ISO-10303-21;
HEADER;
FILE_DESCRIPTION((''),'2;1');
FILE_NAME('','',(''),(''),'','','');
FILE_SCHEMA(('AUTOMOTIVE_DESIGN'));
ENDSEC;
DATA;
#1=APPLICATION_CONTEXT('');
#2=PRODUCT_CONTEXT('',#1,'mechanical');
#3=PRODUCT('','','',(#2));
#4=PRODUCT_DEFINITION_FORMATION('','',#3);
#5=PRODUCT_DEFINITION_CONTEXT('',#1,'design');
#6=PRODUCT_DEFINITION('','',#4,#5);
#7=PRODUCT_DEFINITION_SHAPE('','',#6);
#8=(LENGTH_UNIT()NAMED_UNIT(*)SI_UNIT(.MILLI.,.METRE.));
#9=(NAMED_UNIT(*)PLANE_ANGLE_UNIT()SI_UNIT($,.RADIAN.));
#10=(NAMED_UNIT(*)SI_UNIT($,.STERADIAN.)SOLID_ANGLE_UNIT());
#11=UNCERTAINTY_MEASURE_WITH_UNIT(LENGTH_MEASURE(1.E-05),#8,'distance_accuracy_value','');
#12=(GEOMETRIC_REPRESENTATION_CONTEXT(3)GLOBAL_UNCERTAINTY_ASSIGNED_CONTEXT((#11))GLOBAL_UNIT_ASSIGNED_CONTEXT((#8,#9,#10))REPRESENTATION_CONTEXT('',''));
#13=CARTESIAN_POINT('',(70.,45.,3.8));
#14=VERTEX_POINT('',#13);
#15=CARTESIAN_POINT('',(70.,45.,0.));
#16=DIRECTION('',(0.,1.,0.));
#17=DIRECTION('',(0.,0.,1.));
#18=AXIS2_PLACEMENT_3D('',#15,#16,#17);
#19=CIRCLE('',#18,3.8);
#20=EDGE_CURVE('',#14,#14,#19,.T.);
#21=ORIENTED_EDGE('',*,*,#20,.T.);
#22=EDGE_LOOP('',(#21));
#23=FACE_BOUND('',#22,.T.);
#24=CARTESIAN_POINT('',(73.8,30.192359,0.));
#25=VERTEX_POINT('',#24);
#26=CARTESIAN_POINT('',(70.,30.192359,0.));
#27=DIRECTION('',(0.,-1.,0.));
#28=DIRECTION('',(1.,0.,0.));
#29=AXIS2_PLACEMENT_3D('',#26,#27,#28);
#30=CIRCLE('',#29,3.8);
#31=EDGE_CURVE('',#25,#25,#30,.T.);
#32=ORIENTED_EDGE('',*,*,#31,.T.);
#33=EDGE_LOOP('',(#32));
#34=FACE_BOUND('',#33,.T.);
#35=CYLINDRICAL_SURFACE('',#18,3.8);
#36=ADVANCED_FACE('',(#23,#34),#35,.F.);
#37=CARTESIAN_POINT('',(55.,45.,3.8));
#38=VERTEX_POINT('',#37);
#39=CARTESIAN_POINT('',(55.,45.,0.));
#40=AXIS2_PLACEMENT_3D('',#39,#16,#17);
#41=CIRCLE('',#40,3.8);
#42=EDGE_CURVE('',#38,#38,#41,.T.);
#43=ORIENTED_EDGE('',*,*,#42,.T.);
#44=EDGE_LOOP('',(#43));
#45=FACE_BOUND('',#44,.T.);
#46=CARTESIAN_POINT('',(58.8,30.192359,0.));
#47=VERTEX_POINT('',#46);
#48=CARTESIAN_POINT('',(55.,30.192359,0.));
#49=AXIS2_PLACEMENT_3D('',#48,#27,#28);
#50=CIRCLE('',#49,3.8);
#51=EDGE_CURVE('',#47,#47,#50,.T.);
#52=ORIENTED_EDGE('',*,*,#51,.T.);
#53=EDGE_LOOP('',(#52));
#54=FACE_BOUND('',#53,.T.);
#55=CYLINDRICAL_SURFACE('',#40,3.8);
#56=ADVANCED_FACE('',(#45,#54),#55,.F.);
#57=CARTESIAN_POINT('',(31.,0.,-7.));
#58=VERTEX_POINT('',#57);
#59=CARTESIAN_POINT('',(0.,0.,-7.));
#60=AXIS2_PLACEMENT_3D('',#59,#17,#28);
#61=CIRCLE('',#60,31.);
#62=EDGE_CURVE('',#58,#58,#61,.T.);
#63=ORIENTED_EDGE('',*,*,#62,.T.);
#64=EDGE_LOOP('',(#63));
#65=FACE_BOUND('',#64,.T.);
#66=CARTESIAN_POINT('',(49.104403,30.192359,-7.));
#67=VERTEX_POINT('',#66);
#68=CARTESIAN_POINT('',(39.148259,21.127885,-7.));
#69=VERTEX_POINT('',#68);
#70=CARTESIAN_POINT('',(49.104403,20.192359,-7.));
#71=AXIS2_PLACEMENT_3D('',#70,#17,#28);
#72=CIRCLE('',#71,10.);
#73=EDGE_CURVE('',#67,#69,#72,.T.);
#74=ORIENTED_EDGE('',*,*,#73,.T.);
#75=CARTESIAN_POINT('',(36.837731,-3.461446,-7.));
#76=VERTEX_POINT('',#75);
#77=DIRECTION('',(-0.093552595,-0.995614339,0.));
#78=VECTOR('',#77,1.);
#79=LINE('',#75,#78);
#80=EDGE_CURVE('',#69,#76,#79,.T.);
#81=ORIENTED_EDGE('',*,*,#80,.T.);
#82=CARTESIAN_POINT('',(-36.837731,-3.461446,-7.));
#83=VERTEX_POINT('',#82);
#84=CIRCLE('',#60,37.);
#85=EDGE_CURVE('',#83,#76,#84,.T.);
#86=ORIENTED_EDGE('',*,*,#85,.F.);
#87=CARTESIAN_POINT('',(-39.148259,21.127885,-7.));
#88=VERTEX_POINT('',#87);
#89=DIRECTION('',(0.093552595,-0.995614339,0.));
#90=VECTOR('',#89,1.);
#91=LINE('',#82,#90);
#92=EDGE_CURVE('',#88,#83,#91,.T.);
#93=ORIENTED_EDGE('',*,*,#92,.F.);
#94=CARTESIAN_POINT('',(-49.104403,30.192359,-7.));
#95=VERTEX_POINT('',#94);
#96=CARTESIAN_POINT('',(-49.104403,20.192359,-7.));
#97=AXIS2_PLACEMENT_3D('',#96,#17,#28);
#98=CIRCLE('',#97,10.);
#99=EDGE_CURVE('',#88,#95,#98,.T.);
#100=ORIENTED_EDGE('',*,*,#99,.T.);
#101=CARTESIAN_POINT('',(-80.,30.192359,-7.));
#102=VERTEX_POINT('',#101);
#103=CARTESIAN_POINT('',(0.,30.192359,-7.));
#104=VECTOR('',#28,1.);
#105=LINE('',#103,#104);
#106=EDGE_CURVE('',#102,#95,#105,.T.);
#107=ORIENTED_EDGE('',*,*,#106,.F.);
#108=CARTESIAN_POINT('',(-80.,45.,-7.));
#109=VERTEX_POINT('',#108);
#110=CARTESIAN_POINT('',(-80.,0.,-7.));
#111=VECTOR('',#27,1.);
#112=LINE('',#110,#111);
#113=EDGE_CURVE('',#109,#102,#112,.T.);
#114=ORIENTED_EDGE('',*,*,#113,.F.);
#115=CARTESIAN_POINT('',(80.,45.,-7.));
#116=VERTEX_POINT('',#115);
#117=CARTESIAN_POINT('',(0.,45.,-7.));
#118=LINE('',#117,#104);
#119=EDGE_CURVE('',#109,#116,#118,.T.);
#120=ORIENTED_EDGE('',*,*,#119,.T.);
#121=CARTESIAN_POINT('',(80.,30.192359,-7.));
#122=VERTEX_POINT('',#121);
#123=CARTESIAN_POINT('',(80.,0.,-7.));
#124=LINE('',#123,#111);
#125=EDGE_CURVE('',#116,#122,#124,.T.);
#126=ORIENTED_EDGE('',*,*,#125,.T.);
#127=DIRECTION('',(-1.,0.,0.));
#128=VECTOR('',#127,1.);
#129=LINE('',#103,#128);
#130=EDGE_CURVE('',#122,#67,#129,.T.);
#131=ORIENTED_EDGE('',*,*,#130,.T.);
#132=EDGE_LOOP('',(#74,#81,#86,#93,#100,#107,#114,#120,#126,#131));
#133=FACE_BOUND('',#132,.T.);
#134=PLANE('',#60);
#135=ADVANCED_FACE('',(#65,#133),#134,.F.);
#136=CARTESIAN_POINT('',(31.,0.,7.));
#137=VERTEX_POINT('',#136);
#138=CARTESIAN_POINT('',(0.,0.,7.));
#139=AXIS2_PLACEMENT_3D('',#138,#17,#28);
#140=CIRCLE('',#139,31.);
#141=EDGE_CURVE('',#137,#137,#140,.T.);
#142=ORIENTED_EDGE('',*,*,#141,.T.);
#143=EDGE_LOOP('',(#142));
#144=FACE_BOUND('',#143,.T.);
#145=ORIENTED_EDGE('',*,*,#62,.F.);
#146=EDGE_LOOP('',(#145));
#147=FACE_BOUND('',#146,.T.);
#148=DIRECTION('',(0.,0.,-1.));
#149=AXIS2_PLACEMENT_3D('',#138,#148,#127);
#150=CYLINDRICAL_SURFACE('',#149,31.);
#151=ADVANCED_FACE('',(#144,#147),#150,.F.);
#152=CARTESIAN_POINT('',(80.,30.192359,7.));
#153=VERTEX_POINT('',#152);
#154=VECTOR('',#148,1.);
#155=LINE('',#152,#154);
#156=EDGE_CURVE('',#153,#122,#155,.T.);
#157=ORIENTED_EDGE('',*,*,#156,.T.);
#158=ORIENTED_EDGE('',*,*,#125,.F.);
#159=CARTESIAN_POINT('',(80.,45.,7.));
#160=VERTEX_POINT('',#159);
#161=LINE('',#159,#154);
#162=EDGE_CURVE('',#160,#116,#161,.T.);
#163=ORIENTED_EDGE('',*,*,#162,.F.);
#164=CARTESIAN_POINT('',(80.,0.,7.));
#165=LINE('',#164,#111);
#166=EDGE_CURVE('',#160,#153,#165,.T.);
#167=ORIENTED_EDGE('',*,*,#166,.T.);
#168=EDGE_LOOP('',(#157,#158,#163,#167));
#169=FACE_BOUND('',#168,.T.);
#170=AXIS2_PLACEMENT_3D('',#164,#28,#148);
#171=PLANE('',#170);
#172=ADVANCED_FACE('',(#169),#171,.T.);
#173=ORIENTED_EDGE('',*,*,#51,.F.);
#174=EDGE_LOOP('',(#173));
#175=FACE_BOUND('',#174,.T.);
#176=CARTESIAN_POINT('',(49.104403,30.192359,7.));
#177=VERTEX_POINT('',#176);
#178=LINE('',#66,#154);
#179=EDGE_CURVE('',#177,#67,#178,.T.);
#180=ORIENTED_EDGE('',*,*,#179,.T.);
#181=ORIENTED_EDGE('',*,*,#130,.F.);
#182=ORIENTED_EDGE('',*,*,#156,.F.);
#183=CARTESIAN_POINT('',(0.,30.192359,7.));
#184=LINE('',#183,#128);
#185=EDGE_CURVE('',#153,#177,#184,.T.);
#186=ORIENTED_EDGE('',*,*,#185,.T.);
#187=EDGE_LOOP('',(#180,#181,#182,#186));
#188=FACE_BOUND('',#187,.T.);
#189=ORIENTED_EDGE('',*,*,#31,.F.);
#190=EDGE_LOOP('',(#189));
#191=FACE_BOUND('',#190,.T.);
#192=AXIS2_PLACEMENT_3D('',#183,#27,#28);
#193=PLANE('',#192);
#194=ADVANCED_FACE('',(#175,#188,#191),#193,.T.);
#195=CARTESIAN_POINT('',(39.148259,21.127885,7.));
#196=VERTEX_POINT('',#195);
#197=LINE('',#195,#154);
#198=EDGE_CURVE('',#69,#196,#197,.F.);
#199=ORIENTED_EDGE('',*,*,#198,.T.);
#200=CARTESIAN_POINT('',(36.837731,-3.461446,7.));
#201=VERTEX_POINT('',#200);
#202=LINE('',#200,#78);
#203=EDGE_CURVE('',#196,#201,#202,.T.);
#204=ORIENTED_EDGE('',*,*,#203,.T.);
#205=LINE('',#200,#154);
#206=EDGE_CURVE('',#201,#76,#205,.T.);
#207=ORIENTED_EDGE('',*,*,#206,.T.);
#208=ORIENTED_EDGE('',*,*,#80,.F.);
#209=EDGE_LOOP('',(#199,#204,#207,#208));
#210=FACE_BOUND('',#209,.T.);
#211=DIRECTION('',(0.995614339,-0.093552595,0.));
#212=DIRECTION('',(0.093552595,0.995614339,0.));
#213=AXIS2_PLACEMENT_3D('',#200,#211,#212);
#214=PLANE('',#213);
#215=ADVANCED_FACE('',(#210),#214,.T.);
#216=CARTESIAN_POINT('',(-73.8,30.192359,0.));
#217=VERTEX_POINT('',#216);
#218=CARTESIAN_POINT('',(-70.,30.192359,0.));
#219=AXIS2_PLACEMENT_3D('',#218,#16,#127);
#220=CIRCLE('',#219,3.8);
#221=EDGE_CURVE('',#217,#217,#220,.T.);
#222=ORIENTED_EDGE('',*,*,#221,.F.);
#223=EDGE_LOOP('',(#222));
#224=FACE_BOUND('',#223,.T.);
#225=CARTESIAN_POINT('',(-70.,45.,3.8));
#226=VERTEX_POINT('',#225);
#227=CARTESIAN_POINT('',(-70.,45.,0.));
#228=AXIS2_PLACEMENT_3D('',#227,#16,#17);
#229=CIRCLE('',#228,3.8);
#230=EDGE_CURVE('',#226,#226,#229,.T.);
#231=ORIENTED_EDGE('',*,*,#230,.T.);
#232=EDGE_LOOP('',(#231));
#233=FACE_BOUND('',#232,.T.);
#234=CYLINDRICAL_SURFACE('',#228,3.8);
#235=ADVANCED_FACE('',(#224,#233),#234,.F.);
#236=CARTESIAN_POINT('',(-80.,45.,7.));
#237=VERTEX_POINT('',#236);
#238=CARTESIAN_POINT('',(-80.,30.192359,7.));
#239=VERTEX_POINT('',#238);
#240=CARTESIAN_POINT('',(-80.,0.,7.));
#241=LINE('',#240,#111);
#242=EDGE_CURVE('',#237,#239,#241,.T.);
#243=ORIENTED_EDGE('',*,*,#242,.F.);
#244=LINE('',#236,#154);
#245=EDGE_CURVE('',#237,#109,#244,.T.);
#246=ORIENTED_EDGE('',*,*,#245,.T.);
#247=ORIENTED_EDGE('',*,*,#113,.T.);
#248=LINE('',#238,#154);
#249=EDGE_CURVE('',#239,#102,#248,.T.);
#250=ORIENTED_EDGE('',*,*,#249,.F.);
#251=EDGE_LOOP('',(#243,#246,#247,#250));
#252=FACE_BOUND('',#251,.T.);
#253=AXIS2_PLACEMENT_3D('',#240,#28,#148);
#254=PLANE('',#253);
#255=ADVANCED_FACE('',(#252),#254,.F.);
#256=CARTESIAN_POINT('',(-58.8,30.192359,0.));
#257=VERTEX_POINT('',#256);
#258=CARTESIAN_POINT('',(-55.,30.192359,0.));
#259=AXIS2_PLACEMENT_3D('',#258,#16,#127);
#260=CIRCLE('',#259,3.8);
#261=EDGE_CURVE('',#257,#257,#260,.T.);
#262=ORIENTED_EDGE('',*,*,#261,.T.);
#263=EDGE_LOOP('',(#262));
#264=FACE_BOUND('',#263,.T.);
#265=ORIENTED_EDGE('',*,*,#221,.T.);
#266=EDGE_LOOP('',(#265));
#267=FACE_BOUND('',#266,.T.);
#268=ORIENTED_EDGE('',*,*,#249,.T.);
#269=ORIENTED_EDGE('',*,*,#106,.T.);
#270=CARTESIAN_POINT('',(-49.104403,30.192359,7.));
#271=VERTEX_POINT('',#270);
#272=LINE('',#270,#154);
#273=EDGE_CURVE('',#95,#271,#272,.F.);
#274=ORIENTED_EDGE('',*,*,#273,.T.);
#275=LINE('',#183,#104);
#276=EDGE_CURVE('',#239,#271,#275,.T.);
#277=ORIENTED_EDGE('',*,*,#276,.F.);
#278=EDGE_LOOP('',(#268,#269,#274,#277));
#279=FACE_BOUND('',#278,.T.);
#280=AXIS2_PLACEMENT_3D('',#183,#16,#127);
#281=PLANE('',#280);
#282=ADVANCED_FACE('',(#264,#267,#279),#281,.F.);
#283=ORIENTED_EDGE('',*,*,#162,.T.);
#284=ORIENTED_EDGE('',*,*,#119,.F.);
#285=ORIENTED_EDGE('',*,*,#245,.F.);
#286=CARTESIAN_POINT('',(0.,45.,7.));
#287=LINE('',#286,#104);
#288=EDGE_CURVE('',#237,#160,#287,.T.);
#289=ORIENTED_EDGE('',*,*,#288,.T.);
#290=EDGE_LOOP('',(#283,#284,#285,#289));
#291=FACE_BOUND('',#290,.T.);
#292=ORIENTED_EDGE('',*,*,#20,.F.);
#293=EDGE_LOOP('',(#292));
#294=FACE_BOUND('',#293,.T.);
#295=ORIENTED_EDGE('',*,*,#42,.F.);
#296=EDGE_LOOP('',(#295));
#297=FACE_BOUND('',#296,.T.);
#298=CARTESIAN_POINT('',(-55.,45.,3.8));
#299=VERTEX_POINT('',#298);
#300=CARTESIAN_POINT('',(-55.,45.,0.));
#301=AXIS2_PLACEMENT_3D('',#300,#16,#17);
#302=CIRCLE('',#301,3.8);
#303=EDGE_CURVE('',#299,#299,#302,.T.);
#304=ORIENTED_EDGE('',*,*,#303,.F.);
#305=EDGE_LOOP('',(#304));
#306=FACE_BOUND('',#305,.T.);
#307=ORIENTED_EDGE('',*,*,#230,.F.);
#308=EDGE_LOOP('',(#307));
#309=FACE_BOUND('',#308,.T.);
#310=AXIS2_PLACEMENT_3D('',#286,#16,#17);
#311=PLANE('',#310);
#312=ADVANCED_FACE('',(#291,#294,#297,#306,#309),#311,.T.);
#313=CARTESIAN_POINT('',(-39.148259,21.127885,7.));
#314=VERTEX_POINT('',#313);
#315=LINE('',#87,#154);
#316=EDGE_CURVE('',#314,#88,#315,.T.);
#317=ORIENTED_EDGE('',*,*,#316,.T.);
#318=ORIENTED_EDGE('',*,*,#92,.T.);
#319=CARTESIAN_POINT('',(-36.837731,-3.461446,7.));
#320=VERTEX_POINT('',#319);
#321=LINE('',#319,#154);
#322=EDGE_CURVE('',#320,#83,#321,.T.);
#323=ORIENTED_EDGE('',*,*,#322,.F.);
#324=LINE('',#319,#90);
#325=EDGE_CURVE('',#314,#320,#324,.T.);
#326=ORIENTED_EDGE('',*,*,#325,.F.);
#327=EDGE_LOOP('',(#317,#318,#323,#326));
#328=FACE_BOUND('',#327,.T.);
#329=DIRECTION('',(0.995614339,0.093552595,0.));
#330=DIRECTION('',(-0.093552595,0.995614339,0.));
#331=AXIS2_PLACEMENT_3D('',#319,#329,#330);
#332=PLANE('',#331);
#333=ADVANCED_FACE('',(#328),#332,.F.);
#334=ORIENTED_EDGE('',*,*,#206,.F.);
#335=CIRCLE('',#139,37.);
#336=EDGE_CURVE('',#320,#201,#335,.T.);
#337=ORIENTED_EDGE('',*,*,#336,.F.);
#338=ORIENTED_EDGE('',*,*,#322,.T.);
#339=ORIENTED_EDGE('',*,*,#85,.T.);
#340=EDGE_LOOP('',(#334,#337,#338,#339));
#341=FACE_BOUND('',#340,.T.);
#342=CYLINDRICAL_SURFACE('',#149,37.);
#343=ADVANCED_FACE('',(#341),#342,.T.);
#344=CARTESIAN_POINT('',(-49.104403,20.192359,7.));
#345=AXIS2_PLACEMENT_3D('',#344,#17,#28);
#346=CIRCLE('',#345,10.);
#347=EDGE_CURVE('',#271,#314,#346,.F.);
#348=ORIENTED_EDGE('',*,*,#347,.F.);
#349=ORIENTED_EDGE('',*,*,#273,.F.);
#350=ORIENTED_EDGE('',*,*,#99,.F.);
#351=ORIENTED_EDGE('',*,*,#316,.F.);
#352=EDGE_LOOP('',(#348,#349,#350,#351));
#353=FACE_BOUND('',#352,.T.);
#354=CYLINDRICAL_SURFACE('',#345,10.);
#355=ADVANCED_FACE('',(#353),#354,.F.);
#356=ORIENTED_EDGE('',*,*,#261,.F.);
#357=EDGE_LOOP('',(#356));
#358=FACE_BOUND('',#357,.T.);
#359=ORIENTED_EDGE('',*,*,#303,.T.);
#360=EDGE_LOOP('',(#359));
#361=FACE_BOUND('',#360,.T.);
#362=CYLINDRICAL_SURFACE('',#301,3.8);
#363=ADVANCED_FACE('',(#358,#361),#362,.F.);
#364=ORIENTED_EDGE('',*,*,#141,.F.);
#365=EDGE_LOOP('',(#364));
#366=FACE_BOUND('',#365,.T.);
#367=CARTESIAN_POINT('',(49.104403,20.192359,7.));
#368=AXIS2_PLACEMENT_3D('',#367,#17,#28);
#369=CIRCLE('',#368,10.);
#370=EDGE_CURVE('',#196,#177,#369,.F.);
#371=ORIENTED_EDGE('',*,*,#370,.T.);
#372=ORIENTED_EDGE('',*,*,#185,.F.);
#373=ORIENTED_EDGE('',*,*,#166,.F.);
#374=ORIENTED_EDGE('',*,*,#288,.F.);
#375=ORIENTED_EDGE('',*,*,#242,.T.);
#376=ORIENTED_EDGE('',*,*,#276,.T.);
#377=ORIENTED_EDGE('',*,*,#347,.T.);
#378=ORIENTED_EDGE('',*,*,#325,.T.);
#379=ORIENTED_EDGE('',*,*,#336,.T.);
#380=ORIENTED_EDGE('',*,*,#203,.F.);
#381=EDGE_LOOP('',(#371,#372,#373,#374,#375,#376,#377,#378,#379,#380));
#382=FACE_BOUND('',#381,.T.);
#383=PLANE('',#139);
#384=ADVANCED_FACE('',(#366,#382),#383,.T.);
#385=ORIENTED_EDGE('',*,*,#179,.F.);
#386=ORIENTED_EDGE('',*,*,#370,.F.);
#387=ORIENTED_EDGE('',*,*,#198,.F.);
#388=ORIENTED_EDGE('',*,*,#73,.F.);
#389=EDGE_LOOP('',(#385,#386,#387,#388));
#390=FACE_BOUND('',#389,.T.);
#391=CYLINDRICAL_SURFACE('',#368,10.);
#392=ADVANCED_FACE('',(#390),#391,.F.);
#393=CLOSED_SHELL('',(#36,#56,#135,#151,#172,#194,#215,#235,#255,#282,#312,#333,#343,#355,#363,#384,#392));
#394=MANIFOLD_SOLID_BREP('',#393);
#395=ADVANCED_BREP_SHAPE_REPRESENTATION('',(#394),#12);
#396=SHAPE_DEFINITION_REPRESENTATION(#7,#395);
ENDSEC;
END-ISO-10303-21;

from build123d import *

# Parameters (mm, degrees)
SKETCH1_R                     = 31
BOSS_EXTRUDE1_DEPTH           = 7
FILLET1_R                     = 10
M7_CLEARANCE_HOLE1_AT_2_COUNT = 2
M7_CLEARANCE_HOLE1_AT_2_PITCH = 15


with BuildPart() as part:
    # Sketch1 → Boss-Extrude1 (new body, symmetric)
    with BuildSketch(Plane.XY):
        with BuildLine():
            Line((80, 45), (-80, 45))
            Line((-80, 45), (-80, 30.19235911))
            Line((-80, 30.19235911), (-40, 30.19235911))
            Line((-40, 30.19235911), (-36.83773054, -3.461446031))
            ThreePointArc((-36.83773054, -3.461446031), (0, -37), (36.83773054, -3.461446031))
            Line((36.83773054, -3.461446031), (40, 30.19235911))
            Line((40, 30.19235911), (80, 30.19235911))
            Line((80, 30.19235911), (80, 45))
        make_face()
        Circle(SKETCH1_R, mode=Mode.SUBTRACT)
    extrude(amount=BOSS_EXTRUDE1_DEPTH, both=True)

    # Fillet1
    fillet1_edges = [part.edges().sort_by_distance(p)[0] for p in [
        (-40, 30.19235911, 0),
        (40, 30.19235911, 0),
    ]]
    fillet(fillet1_edges, radius=FILLET1_R)

    # Sketch4 → M7 Clearance Hole1 (revolve, cut)
    with BuildSketch(Plane(origin=(-70, 45, 0), x_dir=(0, 0, 1), z_dir=(1, 0, 0))):
        Polygon((0, 0), (0, 22.033270352), (3.8, 19.75), (3.8, 0), align=None)
    m7_clearance_hole1 = revolve(axis=Axis((-70, 51.35, 0), (0, -1, 0)), mode=Mode.SUBTRACT)

    # M7 Clearance Hole1 at 2: M7 Clearance Hole1 ×2
    with Locations(*[(i * M7_CLEARANCE_HOLE1_AT_2_PITCH, 0, 0) for i in range(1, M7_CLEARANCE_HOLE1_AT_2_COUNT)]):
        add(m7_clearance_hole1, mode=Mode.SUBTRACT)

    # Mirror1: M7 Clearance Hole1 across plane
    add(m7_clearance_hole1.mirror(Plane(origin=(0, 0, 0), x_dir=(0, 0, 1), z_dir=(1, 0, 0))), mode=Mode.SUBTRACT)

    # Mirror1 copy 1 sketch → Mirror1 copy 1 (revolve, cut)
    with BuildSketch(Plane(origin=(55, 45, 0), x_dir=(0, 0, 1), z_dir=(-1, 0, 0))):
        Polygon((0, 0), (0, -22.033270352), (3.8, -19.75), (3.8, 0), align=None)
    revolve(axis=Axis((55, 51.35, 0), (0, 1, 0)), mode=Mode.SUBTRACT)


solid = part.part
